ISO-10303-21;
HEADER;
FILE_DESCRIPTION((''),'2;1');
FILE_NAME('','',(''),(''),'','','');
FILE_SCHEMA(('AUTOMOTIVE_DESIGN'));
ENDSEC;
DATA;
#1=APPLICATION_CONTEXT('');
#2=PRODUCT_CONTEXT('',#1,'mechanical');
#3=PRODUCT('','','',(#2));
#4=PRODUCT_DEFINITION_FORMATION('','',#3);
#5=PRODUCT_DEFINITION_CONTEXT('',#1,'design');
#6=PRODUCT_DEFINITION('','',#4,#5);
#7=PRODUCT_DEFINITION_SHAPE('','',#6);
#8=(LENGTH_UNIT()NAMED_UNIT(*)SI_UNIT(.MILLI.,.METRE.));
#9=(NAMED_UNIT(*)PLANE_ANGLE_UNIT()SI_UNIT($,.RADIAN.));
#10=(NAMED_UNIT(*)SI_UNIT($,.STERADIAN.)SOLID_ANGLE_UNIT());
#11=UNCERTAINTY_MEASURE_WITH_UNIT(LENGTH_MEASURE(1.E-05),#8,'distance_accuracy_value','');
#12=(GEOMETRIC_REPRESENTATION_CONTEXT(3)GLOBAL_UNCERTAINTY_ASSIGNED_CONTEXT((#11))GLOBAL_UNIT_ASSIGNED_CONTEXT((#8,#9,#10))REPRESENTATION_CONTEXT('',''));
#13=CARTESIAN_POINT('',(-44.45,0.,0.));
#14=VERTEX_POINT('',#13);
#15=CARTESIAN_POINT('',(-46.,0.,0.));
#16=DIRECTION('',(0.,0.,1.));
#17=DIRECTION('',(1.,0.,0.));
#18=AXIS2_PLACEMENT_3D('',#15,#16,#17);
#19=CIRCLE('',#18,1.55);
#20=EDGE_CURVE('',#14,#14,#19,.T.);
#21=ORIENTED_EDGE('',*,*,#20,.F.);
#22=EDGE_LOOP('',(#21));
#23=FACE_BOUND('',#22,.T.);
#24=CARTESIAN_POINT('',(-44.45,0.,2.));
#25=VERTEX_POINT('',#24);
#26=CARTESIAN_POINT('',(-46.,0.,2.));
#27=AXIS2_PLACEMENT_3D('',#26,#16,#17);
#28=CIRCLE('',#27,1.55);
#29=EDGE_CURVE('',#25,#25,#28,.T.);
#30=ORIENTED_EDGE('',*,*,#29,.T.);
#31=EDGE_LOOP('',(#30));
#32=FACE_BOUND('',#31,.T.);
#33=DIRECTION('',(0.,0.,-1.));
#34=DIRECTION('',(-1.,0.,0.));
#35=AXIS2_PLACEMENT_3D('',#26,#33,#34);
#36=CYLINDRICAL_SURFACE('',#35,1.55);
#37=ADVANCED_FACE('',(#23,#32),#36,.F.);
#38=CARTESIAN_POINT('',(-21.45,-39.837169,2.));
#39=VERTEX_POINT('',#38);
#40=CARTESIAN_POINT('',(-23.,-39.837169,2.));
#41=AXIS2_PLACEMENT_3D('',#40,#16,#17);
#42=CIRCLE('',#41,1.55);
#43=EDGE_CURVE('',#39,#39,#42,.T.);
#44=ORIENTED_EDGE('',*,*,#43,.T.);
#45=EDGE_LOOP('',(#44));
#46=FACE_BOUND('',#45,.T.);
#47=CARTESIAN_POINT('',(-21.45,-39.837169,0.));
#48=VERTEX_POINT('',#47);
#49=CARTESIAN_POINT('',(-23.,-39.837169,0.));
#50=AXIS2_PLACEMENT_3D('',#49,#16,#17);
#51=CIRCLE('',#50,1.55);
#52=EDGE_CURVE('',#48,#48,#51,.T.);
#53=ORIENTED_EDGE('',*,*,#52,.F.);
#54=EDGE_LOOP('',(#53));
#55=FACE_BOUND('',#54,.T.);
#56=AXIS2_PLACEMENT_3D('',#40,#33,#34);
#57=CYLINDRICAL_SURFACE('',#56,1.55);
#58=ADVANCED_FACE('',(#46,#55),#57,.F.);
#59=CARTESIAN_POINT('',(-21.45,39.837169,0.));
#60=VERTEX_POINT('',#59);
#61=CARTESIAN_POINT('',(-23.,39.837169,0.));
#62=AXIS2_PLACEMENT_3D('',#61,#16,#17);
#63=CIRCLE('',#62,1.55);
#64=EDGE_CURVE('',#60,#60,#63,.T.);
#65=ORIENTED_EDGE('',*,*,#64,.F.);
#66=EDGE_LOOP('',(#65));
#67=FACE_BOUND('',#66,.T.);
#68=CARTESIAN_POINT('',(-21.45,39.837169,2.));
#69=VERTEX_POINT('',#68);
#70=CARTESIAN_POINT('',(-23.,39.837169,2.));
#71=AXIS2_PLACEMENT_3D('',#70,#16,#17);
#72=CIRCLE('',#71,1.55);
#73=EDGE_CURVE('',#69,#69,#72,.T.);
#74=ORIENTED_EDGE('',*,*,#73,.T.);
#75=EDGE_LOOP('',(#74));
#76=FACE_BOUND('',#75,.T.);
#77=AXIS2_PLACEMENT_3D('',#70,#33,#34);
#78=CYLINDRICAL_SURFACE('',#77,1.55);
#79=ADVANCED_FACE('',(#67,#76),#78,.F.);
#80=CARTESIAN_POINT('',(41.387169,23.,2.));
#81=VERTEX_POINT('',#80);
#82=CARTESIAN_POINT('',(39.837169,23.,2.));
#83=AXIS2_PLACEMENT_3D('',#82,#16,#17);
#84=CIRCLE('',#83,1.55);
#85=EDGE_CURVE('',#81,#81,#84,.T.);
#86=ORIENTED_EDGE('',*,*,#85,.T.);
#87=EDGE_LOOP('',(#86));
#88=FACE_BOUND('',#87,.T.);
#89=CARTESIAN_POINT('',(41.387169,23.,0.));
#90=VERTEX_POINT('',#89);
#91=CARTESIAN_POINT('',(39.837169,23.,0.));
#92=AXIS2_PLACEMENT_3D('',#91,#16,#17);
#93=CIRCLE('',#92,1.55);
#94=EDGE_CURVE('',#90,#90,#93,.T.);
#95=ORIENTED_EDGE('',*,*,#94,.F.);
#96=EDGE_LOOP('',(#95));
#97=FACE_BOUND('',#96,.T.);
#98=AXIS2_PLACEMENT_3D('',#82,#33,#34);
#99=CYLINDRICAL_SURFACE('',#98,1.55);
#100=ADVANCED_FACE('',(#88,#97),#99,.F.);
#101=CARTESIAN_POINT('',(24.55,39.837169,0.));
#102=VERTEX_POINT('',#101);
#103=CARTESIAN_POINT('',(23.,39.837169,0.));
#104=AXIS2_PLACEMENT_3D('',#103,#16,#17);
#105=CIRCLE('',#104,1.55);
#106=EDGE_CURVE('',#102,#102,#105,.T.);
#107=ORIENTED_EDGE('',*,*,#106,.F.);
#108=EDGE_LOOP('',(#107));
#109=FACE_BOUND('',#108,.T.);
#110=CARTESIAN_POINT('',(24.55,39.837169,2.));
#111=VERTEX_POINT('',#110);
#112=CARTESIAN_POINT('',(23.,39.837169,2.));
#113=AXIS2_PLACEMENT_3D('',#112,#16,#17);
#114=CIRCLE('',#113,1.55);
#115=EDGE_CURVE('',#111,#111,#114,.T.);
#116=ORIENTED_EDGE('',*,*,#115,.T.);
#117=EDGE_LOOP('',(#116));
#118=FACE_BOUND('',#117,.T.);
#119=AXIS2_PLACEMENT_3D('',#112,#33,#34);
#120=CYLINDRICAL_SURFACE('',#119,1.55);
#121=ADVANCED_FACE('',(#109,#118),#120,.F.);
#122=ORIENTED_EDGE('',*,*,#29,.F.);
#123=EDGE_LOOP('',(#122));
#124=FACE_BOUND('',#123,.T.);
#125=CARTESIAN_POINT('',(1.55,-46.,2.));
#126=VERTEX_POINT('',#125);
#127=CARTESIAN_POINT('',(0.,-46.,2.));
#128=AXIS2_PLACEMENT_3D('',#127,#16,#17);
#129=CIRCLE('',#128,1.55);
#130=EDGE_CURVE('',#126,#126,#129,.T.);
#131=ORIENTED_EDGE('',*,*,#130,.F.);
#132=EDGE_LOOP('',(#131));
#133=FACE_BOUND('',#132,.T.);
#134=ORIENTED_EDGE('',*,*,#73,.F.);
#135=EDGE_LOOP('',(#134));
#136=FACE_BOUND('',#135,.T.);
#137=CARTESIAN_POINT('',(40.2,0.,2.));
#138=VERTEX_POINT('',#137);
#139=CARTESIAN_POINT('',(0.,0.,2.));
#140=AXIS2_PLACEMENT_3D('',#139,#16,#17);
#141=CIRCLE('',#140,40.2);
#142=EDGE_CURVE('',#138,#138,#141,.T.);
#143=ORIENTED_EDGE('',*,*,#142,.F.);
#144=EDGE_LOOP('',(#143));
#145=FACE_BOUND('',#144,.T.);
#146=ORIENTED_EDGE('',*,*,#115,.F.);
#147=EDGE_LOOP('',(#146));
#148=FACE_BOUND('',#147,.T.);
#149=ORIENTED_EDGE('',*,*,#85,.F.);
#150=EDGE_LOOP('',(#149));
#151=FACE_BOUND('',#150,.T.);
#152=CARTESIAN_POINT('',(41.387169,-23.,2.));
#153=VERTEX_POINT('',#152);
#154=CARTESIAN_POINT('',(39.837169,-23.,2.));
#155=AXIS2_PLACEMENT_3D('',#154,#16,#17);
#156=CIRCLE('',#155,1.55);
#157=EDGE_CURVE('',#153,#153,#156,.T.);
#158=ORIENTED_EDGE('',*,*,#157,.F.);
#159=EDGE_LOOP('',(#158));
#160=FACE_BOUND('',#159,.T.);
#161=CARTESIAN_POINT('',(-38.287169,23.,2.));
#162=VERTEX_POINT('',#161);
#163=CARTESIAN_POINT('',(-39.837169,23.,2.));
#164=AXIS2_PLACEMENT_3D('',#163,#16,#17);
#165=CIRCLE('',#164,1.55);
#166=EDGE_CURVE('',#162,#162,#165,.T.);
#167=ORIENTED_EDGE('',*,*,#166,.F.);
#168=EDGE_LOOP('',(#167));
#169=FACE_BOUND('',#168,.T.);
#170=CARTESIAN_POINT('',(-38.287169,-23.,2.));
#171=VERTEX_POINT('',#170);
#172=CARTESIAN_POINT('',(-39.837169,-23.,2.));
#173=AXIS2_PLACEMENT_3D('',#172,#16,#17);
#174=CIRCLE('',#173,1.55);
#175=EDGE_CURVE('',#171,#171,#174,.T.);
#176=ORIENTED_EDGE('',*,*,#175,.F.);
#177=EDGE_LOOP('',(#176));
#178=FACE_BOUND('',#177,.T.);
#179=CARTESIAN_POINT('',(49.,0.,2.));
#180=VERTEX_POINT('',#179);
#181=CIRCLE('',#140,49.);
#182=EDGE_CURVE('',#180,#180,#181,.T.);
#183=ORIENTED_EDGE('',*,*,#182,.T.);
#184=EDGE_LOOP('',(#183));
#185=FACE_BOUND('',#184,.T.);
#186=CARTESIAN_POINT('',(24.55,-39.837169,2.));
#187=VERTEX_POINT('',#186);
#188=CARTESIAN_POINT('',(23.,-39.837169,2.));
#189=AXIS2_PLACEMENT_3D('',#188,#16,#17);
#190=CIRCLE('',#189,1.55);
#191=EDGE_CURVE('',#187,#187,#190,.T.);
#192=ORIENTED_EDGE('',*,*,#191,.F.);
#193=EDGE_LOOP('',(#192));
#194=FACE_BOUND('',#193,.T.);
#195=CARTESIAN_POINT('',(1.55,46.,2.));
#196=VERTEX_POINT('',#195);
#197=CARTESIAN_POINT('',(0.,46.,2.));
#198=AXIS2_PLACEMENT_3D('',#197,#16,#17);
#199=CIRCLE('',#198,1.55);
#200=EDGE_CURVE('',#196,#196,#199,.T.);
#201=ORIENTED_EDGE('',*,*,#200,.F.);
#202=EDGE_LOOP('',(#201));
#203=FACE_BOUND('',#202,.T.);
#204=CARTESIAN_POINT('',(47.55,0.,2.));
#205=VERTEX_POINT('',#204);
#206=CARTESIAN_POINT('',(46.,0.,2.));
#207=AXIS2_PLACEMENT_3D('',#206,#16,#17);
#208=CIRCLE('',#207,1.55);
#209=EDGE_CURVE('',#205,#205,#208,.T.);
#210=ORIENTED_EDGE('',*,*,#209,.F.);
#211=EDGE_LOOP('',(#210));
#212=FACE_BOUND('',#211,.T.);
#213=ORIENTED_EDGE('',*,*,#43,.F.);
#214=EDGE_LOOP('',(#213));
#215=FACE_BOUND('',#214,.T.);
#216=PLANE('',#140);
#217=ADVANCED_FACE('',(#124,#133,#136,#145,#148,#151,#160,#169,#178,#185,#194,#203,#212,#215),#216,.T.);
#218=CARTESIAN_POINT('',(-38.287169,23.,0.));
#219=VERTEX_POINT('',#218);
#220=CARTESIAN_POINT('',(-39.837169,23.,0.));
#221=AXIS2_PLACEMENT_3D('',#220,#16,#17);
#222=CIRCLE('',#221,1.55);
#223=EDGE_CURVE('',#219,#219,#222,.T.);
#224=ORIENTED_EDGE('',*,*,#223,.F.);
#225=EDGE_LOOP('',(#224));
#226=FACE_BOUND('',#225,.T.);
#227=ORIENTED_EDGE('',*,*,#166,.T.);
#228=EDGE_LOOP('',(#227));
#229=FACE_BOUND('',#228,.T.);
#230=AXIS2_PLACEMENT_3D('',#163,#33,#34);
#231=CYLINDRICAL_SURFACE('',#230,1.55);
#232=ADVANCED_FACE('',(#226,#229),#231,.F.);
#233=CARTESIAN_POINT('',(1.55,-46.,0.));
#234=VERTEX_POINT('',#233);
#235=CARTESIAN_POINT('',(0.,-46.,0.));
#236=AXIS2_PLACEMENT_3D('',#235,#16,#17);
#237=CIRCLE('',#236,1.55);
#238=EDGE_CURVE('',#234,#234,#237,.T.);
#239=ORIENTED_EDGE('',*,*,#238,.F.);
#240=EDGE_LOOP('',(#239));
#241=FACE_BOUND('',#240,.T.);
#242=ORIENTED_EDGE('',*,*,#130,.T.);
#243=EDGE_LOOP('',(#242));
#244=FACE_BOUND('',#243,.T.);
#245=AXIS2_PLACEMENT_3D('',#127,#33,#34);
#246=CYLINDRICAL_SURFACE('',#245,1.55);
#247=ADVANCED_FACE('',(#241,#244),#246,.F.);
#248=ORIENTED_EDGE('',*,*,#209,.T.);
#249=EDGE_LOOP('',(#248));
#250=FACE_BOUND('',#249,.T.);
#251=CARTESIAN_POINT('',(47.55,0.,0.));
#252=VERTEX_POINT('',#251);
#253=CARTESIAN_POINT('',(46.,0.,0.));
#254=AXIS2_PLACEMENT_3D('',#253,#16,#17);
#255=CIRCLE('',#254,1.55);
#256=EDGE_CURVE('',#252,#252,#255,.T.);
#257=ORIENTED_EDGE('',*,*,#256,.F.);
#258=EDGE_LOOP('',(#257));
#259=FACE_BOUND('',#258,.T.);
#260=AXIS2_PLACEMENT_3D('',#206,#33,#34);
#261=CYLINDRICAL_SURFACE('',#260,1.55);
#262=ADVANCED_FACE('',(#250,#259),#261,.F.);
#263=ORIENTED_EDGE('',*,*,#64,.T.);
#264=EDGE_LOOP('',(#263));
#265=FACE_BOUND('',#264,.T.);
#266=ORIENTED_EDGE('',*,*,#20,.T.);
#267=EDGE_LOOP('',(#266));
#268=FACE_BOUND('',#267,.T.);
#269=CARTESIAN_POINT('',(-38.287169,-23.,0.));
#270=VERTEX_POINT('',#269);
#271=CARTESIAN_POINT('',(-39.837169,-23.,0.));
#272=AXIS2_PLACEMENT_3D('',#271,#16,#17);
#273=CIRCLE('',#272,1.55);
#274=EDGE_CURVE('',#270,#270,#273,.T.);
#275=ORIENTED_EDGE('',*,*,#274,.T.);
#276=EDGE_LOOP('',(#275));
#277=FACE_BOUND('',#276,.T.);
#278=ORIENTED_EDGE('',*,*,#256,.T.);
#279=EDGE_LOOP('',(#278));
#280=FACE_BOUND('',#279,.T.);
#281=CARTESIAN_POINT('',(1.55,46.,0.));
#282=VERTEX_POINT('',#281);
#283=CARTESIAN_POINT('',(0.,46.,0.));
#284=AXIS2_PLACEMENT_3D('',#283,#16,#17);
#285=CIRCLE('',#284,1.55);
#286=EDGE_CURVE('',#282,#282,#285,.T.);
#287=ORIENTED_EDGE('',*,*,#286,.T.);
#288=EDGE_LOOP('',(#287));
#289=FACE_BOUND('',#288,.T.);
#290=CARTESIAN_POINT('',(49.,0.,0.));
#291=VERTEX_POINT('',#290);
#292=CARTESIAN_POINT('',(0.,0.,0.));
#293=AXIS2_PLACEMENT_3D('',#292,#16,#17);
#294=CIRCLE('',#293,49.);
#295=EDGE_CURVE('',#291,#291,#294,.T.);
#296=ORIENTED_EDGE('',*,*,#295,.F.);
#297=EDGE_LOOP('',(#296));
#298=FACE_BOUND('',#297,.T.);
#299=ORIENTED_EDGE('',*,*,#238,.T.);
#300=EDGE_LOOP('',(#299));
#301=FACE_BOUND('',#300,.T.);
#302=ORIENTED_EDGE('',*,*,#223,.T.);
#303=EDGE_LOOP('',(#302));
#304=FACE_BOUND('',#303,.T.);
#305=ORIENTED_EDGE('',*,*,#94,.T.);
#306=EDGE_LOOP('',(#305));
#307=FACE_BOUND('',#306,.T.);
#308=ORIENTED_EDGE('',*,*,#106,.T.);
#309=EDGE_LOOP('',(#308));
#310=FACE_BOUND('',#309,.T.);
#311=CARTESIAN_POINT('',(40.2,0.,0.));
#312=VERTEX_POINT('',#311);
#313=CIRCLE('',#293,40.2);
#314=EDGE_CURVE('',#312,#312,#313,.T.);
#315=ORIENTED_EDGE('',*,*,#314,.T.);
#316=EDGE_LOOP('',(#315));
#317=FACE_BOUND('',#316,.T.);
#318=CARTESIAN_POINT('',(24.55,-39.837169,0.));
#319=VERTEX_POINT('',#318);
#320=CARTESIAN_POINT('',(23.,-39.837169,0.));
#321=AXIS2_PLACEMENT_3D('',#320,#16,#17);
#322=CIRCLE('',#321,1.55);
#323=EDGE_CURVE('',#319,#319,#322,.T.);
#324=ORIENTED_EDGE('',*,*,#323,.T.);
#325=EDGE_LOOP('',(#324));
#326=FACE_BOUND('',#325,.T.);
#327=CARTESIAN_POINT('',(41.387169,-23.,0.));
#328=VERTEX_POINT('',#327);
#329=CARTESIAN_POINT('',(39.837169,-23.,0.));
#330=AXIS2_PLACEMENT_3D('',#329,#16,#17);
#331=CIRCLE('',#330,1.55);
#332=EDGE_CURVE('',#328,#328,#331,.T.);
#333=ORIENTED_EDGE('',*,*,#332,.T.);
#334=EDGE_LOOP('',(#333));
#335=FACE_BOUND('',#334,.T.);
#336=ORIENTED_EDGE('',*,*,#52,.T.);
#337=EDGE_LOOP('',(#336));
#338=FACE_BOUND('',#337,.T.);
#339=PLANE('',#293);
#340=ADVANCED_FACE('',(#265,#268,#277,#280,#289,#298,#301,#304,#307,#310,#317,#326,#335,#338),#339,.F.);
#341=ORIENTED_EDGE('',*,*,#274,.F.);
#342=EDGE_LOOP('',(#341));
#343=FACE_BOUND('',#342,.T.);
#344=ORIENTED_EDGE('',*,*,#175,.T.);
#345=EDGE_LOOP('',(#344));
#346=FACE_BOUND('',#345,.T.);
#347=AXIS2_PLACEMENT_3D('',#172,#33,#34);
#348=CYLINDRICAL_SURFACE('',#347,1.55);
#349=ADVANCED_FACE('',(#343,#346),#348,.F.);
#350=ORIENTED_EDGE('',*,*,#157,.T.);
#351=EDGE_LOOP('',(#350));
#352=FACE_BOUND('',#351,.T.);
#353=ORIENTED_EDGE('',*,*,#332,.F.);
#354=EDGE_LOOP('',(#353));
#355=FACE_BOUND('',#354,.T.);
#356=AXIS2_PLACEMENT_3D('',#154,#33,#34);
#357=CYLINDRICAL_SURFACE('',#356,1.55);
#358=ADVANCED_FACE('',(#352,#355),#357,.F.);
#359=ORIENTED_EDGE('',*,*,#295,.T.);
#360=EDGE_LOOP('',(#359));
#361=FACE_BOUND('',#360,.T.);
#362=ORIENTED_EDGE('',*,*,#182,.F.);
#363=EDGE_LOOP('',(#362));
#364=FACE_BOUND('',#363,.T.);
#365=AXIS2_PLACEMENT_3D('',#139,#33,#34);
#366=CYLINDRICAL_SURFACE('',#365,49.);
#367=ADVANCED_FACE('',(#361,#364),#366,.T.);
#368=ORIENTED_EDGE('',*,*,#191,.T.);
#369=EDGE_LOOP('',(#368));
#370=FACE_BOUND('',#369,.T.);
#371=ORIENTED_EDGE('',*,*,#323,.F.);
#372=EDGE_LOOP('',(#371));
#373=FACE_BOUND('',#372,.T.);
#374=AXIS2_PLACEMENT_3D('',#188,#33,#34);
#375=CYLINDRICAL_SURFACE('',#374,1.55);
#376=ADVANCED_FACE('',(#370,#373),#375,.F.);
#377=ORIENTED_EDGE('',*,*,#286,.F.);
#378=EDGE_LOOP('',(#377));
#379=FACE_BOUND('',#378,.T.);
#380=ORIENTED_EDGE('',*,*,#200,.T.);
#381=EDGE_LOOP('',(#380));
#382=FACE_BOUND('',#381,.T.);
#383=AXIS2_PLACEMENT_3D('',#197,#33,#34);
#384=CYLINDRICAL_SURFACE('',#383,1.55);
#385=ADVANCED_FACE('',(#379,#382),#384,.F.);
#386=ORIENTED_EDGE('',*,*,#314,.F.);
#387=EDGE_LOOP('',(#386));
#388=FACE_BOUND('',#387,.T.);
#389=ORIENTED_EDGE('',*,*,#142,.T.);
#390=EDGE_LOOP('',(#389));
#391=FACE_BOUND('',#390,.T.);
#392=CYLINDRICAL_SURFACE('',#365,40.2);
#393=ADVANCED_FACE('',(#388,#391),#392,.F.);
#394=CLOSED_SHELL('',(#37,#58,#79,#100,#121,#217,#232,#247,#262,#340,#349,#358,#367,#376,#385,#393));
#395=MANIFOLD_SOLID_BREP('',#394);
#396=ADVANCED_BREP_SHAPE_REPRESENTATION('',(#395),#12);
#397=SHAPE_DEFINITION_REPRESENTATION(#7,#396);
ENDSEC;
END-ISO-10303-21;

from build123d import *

# Parameters (mm, degrees)
SKETCH_1_R      = 49
SKETCH_1_R_2    = 40.2
SKETCH_1_R_3    = 1.55
EXTRUDE_1_DEPTH = 2


with BuildPart() as part:
    # 草图1 → 凸台-拉伸1 (new body)
    with BuildSketch(Plane.XY):
        Circle(SKETCH_1_R)
        Circle(SKETCH_1_R_2, mode=Mode.SUBTRACT)
        with Locations((0, 46)):
            Circle(SKETCH_1_R_3, mode=Mode.SUBTRACT)
        with Locations((23, 39.837168574)):
            Circle(SKETCH_1_R_3, mode=Mode.SUBTRACT)
        with Locations((39.837168574, 23)):
            Circle(SKETCH_1_R_3, mode=Mode.SUBTRACT)
        with Locations((46, 0)):
            Circle(SKETCH_1_R_3, mode=Mode.SUBTRACT)
        with Locations((39.837168574, -23)):
            Circle(SKETCH_1_R_3, mode=Mode.SUBTRACT)
        with Locations((23, -39.837168574)):
            Circle(SKETCH_1_R_3, mode=Mode.SUBTRACT)
        with Locations((0, -46)):
            Circle(SKETCH_1_R_3, mode=Mode.SUBTRACT)
        with Locations((-23, -39.837168574)):
            Circle(SKETCH_1_R_3, mode=Mode.SUBTRACT)
        with Locations((-39.837168574, -23)):
            Circle(SKETCH_1_R_3, mode=Mode.SUBTRACT)
        with Locations((-46, 0)):
            Circle(SKETCH_1_R_3, mode=Mode.SUBTRACT)
        with Locations((-39.837168574, 23)):
            Circle(SKETCH_1_R_3, mode=Mode.SUBTRACT)
        with Locations((-23, 39.837168574)):
            Circle(SKETCH_1_R_3, mode=Mode.SUBTRACT)
    extrude(amount=EXTRUDE_1_DEPTH)


solid = part.part
